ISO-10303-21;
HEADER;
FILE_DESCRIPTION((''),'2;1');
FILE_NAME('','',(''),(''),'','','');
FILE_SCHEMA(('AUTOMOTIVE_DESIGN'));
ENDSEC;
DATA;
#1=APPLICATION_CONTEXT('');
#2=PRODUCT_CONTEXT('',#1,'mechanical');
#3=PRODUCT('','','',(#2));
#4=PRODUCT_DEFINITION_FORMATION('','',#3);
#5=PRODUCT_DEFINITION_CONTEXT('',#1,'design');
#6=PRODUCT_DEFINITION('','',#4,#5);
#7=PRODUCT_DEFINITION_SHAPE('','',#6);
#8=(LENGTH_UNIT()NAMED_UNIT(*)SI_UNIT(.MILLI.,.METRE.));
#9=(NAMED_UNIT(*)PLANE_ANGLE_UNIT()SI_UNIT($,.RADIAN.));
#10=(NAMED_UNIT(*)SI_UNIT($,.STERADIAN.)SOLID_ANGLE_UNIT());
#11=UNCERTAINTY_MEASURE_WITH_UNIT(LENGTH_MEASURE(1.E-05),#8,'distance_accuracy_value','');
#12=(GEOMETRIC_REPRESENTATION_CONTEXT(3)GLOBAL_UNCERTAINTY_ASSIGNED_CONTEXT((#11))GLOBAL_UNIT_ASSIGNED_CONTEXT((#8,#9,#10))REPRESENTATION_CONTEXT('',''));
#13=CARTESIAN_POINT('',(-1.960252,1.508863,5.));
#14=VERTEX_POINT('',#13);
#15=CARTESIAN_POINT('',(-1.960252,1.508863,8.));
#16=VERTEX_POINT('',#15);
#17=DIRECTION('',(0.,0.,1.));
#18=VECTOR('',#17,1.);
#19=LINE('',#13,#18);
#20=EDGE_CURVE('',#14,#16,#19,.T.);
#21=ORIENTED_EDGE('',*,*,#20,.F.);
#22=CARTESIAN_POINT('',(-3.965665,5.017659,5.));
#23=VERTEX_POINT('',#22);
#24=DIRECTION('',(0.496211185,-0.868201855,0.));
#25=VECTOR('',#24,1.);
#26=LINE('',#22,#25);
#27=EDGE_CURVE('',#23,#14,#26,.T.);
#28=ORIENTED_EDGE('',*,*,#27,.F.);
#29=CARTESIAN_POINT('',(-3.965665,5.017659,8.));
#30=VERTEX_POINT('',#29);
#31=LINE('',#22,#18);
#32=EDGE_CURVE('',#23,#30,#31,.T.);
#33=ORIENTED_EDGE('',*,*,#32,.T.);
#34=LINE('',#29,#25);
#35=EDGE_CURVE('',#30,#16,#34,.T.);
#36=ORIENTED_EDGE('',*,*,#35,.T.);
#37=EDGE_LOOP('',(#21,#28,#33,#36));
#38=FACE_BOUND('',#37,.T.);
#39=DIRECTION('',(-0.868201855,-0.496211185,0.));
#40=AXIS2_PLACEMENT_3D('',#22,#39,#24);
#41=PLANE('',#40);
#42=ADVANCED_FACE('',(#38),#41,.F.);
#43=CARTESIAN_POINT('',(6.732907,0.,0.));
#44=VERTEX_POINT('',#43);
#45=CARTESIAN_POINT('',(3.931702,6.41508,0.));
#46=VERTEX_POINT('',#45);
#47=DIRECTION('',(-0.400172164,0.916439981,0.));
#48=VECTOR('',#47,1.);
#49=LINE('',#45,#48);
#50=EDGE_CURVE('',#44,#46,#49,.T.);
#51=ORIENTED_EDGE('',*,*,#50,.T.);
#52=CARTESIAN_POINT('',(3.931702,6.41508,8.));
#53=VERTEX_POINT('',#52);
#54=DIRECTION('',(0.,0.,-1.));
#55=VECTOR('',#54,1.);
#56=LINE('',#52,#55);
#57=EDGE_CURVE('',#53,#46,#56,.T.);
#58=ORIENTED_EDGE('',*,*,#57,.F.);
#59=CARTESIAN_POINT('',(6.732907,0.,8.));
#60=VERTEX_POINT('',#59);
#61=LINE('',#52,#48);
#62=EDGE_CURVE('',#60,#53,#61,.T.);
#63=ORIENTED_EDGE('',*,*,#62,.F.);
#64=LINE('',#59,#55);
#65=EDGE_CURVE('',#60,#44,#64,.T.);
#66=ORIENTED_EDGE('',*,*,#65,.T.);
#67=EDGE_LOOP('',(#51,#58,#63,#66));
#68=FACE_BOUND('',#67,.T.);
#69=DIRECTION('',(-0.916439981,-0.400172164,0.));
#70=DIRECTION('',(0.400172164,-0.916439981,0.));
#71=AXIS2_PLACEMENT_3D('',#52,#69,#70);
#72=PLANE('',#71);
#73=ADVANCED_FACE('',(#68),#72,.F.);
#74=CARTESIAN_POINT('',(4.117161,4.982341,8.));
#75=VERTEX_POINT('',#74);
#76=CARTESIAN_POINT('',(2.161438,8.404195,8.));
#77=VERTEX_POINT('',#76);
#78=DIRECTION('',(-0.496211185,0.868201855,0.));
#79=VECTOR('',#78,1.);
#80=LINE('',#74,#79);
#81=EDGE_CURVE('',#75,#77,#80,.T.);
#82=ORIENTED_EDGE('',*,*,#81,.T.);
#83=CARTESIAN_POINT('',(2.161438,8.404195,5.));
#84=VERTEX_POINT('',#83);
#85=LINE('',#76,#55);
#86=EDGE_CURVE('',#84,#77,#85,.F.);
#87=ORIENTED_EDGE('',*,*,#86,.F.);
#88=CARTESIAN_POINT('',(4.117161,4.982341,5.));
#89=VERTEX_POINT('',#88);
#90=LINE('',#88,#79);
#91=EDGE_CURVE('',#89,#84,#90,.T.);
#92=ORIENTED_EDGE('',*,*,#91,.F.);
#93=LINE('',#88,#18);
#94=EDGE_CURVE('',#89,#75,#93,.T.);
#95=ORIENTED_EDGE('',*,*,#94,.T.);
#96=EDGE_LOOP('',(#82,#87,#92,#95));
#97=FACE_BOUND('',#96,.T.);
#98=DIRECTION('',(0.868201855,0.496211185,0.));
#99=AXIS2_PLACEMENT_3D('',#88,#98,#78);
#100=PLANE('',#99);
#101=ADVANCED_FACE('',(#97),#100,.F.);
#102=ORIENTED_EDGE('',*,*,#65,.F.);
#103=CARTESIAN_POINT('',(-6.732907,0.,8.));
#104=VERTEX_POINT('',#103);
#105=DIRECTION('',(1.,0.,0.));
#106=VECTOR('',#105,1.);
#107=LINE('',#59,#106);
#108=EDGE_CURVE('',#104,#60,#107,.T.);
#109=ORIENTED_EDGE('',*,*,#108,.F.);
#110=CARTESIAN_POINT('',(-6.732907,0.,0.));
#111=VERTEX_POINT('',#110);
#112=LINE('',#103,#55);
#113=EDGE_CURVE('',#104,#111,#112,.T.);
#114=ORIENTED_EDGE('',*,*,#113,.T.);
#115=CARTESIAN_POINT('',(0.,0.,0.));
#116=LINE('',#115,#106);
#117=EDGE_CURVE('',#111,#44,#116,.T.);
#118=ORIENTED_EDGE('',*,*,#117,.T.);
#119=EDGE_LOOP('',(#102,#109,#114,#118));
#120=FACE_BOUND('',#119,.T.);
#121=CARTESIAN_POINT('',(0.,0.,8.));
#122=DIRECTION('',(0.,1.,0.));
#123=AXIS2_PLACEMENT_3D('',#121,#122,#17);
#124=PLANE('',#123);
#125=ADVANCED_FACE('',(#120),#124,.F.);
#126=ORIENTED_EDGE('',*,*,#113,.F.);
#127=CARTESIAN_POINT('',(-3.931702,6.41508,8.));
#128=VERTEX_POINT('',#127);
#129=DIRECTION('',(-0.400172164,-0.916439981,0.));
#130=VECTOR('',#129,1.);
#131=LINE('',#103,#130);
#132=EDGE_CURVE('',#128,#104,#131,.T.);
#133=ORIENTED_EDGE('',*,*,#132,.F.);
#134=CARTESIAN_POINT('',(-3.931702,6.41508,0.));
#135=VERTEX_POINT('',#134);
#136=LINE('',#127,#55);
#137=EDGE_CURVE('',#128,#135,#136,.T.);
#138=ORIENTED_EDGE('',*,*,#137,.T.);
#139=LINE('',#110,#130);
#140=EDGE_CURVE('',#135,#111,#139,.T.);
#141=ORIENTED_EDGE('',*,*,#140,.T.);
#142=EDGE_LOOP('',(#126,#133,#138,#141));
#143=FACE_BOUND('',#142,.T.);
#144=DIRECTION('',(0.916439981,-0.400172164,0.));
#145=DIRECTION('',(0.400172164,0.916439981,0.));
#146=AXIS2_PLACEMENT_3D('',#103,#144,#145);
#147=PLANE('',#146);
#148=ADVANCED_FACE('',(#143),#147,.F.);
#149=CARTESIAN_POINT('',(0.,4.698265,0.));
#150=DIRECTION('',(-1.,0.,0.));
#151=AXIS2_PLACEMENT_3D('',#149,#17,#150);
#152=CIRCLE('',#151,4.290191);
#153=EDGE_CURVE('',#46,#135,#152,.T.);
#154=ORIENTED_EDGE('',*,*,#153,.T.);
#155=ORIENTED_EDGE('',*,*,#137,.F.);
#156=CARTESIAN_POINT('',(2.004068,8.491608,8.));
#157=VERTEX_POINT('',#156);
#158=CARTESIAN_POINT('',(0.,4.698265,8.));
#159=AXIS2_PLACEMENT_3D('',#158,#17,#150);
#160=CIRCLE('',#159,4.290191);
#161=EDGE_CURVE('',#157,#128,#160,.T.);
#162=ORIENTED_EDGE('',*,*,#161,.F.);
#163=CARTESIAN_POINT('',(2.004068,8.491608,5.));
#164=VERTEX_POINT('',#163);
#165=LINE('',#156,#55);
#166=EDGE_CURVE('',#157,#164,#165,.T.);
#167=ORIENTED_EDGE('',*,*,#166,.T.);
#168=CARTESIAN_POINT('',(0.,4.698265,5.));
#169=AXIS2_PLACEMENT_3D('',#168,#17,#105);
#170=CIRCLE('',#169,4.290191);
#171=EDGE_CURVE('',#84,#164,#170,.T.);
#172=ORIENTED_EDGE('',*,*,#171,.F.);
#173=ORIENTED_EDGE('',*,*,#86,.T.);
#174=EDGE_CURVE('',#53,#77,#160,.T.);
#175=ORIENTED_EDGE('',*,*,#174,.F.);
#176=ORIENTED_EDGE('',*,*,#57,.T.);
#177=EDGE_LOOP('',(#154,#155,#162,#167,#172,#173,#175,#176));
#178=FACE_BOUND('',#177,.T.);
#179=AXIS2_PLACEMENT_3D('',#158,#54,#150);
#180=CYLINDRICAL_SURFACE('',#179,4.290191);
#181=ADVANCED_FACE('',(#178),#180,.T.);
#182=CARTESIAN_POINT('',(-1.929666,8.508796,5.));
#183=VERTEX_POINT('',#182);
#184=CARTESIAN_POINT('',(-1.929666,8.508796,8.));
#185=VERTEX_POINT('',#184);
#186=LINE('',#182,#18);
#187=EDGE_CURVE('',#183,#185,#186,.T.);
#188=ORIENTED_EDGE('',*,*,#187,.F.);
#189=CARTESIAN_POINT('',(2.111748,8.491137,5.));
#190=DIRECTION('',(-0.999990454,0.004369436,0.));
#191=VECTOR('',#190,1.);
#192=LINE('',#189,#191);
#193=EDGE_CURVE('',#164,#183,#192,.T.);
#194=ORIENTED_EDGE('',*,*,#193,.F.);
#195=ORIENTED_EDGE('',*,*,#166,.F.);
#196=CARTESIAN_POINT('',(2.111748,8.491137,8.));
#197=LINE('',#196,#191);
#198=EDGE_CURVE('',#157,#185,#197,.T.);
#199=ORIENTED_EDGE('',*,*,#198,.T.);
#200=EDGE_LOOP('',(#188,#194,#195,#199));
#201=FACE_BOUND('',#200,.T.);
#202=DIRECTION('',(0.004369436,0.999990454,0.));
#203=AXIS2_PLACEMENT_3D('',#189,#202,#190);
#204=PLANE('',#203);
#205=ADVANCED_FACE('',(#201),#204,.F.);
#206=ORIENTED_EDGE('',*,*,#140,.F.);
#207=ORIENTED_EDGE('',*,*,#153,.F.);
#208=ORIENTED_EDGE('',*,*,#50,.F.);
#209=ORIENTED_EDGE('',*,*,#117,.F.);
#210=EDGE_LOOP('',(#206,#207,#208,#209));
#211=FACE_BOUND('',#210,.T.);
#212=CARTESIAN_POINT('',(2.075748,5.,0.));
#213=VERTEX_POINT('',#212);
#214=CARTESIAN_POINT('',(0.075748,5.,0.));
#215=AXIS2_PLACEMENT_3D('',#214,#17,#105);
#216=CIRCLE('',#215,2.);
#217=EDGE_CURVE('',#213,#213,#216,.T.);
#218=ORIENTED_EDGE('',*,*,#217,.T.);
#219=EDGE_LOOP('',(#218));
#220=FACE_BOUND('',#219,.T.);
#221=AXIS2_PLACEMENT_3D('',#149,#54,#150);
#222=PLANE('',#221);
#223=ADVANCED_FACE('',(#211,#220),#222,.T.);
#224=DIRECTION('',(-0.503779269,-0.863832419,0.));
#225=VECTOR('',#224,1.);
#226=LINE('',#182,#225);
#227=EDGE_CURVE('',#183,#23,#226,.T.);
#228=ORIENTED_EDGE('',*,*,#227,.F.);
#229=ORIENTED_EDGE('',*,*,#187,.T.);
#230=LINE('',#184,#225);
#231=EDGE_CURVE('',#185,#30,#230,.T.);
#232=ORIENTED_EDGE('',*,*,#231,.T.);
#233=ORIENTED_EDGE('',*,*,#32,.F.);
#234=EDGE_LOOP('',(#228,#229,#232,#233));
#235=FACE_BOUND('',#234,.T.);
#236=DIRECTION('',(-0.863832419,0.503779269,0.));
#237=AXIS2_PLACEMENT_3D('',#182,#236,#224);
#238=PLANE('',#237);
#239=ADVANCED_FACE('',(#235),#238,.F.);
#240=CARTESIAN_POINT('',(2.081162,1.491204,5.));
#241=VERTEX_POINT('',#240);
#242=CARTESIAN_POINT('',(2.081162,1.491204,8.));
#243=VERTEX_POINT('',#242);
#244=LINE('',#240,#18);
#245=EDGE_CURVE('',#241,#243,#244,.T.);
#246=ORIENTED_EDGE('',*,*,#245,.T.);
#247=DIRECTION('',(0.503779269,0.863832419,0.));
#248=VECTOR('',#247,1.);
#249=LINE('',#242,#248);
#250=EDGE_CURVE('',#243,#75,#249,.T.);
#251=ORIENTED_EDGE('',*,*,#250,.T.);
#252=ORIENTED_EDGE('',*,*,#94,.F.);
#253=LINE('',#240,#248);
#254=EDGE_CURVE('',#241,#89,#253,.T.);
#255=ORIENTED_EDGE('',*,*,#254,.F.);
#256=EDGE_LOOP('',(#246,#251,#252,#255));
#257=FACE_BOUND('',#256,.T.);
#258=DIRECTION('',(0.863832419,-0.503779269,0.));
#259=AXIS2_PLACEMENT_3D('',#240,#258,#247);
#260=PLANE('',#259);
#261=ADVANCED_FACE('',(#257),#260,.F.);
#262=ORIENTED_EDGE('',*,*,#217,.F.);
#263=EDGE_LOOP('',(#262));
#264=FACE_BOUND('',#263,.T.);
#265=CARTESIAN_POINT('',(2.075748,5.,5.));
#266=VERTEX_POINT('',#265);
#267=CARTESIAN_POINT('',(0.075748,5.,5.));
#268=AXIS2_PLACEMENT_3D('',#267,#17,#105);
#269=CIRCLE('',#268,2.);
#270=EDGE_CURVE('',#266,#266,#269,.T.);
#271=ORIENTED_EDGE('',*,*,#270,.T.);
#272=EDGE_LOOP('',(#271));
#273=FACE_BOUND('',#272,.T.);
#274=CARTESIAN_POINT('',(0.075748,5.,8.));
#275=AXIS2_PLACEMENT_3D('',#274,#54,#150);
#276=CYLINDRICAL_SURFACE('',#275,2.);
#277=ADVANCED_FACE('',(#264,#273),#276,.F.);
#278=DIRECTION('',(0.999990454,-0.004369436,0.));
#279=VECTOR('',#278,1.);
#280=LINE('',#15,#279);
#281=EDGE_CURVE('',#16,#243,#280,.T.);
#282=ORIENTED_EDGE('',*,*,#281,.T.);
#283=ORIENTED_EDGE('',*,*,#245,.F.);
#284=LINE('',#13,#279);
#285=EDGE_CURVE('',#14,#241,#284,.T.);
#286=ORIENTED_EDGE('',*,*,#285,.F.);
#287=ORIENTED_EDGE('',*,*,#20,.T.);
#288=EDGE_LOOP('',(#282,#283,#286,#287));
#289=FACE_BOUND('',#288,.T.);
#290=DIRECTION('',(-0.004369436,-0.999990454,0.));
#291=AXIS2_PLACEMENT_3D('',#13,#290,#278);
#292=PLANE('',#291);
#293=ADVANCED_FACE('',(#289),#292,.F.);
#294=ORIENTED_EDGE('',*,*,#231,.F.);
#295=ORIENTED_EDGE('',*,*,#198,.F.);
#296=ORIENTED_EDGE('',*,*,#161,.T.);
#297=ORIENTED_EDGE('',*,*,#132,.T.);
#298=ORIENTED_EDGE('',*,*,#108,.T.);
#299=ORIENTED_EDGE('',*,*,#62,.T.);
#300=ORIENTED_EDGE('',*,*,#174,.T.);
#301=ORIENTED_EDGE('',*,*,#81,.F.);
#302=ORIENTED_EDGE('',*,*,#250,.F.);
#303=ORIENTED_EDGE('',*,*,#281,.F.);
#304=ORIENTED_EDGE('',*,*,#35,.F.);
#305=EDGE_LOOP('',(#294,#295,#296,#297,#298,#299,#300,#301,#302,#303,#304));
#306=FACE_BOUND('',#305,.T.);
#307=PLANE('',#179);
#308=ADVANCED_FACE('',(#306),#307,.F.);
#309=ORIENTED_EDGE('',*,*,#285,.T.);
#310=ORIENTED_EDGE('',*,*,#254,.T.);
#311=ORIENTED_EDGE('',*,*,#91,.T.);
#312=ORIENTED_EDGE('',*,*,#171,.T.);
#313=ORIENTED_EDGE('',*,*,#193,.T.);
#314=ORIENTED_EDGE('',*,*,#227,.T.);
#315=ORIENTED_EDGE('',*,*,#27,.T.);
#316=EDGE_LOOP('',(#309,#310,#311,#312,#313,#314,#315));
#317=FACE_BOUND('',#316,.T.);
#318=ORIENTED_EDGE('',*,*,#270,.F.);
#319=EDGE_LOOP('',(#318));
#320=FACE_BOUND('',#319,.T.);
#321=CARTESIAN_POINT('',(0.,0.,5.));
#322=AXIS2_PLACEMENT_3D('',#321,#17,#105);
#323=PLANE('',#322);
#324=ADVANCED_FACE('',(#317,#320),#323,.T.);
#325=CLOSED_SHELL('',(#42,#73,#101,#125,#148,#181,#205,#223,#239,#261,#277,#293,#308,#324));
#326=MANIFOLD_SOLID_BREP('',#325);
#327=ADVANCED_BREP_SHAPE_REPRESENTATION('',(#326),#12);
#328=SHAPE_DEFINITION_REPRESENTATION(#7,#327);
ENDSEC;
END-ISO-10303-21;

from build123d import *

# Parameters (mm, degrees)
CROQUIS1_R              = 2
SALIENTE_EXTRUIR1_DEPTH = 8
CORTAR_EXTRUIR1_DEPTH   = 3


with BuildPart() as part:
    # Croquis1 → Saliente-Extruir1 (new body)
    with BuildSketch(Plane.XY):
        with BuildLine():
            Line((0, 0), (-6.732907314, 0))
            Line((-6.732907314, 0), (-3.931702166, 6.415079868))
            ThreePointArc((-3.931702166, 6.415079868), (0, 8.988455594), (3.931702166, 6.415079868))
            Line((3.931702166, 6.415079868), (6.732907314, 0))
            Line((6.732907314, 0), (0, 0))
        make_face()
        with Locations((0.075747875, 5)):
            Circle(CROQUIS1_R, mode=Mode.SUBTRACT)
    extrude(amount=SALIENTE_EXTRUIR1_DEPTH)

    # Croquis2 → Cortar-Extruir1 (cut)
    with BuildSketch(Plane.XY.offset(8)):
        Polygon((-1.960251802, 1.508862843), (2.081161502, 1.491203979), (4.11716118, 4.982341136), (2.111747552, 8.491137157), (-1.929665752, 8.508796021), (-3.965665429, 5.017658864), align=None)
    extrude(amount=-CORTAR_EXTRUIR1_DEPTH, mode=Mode.SUBTRACT)


solid = part.part
